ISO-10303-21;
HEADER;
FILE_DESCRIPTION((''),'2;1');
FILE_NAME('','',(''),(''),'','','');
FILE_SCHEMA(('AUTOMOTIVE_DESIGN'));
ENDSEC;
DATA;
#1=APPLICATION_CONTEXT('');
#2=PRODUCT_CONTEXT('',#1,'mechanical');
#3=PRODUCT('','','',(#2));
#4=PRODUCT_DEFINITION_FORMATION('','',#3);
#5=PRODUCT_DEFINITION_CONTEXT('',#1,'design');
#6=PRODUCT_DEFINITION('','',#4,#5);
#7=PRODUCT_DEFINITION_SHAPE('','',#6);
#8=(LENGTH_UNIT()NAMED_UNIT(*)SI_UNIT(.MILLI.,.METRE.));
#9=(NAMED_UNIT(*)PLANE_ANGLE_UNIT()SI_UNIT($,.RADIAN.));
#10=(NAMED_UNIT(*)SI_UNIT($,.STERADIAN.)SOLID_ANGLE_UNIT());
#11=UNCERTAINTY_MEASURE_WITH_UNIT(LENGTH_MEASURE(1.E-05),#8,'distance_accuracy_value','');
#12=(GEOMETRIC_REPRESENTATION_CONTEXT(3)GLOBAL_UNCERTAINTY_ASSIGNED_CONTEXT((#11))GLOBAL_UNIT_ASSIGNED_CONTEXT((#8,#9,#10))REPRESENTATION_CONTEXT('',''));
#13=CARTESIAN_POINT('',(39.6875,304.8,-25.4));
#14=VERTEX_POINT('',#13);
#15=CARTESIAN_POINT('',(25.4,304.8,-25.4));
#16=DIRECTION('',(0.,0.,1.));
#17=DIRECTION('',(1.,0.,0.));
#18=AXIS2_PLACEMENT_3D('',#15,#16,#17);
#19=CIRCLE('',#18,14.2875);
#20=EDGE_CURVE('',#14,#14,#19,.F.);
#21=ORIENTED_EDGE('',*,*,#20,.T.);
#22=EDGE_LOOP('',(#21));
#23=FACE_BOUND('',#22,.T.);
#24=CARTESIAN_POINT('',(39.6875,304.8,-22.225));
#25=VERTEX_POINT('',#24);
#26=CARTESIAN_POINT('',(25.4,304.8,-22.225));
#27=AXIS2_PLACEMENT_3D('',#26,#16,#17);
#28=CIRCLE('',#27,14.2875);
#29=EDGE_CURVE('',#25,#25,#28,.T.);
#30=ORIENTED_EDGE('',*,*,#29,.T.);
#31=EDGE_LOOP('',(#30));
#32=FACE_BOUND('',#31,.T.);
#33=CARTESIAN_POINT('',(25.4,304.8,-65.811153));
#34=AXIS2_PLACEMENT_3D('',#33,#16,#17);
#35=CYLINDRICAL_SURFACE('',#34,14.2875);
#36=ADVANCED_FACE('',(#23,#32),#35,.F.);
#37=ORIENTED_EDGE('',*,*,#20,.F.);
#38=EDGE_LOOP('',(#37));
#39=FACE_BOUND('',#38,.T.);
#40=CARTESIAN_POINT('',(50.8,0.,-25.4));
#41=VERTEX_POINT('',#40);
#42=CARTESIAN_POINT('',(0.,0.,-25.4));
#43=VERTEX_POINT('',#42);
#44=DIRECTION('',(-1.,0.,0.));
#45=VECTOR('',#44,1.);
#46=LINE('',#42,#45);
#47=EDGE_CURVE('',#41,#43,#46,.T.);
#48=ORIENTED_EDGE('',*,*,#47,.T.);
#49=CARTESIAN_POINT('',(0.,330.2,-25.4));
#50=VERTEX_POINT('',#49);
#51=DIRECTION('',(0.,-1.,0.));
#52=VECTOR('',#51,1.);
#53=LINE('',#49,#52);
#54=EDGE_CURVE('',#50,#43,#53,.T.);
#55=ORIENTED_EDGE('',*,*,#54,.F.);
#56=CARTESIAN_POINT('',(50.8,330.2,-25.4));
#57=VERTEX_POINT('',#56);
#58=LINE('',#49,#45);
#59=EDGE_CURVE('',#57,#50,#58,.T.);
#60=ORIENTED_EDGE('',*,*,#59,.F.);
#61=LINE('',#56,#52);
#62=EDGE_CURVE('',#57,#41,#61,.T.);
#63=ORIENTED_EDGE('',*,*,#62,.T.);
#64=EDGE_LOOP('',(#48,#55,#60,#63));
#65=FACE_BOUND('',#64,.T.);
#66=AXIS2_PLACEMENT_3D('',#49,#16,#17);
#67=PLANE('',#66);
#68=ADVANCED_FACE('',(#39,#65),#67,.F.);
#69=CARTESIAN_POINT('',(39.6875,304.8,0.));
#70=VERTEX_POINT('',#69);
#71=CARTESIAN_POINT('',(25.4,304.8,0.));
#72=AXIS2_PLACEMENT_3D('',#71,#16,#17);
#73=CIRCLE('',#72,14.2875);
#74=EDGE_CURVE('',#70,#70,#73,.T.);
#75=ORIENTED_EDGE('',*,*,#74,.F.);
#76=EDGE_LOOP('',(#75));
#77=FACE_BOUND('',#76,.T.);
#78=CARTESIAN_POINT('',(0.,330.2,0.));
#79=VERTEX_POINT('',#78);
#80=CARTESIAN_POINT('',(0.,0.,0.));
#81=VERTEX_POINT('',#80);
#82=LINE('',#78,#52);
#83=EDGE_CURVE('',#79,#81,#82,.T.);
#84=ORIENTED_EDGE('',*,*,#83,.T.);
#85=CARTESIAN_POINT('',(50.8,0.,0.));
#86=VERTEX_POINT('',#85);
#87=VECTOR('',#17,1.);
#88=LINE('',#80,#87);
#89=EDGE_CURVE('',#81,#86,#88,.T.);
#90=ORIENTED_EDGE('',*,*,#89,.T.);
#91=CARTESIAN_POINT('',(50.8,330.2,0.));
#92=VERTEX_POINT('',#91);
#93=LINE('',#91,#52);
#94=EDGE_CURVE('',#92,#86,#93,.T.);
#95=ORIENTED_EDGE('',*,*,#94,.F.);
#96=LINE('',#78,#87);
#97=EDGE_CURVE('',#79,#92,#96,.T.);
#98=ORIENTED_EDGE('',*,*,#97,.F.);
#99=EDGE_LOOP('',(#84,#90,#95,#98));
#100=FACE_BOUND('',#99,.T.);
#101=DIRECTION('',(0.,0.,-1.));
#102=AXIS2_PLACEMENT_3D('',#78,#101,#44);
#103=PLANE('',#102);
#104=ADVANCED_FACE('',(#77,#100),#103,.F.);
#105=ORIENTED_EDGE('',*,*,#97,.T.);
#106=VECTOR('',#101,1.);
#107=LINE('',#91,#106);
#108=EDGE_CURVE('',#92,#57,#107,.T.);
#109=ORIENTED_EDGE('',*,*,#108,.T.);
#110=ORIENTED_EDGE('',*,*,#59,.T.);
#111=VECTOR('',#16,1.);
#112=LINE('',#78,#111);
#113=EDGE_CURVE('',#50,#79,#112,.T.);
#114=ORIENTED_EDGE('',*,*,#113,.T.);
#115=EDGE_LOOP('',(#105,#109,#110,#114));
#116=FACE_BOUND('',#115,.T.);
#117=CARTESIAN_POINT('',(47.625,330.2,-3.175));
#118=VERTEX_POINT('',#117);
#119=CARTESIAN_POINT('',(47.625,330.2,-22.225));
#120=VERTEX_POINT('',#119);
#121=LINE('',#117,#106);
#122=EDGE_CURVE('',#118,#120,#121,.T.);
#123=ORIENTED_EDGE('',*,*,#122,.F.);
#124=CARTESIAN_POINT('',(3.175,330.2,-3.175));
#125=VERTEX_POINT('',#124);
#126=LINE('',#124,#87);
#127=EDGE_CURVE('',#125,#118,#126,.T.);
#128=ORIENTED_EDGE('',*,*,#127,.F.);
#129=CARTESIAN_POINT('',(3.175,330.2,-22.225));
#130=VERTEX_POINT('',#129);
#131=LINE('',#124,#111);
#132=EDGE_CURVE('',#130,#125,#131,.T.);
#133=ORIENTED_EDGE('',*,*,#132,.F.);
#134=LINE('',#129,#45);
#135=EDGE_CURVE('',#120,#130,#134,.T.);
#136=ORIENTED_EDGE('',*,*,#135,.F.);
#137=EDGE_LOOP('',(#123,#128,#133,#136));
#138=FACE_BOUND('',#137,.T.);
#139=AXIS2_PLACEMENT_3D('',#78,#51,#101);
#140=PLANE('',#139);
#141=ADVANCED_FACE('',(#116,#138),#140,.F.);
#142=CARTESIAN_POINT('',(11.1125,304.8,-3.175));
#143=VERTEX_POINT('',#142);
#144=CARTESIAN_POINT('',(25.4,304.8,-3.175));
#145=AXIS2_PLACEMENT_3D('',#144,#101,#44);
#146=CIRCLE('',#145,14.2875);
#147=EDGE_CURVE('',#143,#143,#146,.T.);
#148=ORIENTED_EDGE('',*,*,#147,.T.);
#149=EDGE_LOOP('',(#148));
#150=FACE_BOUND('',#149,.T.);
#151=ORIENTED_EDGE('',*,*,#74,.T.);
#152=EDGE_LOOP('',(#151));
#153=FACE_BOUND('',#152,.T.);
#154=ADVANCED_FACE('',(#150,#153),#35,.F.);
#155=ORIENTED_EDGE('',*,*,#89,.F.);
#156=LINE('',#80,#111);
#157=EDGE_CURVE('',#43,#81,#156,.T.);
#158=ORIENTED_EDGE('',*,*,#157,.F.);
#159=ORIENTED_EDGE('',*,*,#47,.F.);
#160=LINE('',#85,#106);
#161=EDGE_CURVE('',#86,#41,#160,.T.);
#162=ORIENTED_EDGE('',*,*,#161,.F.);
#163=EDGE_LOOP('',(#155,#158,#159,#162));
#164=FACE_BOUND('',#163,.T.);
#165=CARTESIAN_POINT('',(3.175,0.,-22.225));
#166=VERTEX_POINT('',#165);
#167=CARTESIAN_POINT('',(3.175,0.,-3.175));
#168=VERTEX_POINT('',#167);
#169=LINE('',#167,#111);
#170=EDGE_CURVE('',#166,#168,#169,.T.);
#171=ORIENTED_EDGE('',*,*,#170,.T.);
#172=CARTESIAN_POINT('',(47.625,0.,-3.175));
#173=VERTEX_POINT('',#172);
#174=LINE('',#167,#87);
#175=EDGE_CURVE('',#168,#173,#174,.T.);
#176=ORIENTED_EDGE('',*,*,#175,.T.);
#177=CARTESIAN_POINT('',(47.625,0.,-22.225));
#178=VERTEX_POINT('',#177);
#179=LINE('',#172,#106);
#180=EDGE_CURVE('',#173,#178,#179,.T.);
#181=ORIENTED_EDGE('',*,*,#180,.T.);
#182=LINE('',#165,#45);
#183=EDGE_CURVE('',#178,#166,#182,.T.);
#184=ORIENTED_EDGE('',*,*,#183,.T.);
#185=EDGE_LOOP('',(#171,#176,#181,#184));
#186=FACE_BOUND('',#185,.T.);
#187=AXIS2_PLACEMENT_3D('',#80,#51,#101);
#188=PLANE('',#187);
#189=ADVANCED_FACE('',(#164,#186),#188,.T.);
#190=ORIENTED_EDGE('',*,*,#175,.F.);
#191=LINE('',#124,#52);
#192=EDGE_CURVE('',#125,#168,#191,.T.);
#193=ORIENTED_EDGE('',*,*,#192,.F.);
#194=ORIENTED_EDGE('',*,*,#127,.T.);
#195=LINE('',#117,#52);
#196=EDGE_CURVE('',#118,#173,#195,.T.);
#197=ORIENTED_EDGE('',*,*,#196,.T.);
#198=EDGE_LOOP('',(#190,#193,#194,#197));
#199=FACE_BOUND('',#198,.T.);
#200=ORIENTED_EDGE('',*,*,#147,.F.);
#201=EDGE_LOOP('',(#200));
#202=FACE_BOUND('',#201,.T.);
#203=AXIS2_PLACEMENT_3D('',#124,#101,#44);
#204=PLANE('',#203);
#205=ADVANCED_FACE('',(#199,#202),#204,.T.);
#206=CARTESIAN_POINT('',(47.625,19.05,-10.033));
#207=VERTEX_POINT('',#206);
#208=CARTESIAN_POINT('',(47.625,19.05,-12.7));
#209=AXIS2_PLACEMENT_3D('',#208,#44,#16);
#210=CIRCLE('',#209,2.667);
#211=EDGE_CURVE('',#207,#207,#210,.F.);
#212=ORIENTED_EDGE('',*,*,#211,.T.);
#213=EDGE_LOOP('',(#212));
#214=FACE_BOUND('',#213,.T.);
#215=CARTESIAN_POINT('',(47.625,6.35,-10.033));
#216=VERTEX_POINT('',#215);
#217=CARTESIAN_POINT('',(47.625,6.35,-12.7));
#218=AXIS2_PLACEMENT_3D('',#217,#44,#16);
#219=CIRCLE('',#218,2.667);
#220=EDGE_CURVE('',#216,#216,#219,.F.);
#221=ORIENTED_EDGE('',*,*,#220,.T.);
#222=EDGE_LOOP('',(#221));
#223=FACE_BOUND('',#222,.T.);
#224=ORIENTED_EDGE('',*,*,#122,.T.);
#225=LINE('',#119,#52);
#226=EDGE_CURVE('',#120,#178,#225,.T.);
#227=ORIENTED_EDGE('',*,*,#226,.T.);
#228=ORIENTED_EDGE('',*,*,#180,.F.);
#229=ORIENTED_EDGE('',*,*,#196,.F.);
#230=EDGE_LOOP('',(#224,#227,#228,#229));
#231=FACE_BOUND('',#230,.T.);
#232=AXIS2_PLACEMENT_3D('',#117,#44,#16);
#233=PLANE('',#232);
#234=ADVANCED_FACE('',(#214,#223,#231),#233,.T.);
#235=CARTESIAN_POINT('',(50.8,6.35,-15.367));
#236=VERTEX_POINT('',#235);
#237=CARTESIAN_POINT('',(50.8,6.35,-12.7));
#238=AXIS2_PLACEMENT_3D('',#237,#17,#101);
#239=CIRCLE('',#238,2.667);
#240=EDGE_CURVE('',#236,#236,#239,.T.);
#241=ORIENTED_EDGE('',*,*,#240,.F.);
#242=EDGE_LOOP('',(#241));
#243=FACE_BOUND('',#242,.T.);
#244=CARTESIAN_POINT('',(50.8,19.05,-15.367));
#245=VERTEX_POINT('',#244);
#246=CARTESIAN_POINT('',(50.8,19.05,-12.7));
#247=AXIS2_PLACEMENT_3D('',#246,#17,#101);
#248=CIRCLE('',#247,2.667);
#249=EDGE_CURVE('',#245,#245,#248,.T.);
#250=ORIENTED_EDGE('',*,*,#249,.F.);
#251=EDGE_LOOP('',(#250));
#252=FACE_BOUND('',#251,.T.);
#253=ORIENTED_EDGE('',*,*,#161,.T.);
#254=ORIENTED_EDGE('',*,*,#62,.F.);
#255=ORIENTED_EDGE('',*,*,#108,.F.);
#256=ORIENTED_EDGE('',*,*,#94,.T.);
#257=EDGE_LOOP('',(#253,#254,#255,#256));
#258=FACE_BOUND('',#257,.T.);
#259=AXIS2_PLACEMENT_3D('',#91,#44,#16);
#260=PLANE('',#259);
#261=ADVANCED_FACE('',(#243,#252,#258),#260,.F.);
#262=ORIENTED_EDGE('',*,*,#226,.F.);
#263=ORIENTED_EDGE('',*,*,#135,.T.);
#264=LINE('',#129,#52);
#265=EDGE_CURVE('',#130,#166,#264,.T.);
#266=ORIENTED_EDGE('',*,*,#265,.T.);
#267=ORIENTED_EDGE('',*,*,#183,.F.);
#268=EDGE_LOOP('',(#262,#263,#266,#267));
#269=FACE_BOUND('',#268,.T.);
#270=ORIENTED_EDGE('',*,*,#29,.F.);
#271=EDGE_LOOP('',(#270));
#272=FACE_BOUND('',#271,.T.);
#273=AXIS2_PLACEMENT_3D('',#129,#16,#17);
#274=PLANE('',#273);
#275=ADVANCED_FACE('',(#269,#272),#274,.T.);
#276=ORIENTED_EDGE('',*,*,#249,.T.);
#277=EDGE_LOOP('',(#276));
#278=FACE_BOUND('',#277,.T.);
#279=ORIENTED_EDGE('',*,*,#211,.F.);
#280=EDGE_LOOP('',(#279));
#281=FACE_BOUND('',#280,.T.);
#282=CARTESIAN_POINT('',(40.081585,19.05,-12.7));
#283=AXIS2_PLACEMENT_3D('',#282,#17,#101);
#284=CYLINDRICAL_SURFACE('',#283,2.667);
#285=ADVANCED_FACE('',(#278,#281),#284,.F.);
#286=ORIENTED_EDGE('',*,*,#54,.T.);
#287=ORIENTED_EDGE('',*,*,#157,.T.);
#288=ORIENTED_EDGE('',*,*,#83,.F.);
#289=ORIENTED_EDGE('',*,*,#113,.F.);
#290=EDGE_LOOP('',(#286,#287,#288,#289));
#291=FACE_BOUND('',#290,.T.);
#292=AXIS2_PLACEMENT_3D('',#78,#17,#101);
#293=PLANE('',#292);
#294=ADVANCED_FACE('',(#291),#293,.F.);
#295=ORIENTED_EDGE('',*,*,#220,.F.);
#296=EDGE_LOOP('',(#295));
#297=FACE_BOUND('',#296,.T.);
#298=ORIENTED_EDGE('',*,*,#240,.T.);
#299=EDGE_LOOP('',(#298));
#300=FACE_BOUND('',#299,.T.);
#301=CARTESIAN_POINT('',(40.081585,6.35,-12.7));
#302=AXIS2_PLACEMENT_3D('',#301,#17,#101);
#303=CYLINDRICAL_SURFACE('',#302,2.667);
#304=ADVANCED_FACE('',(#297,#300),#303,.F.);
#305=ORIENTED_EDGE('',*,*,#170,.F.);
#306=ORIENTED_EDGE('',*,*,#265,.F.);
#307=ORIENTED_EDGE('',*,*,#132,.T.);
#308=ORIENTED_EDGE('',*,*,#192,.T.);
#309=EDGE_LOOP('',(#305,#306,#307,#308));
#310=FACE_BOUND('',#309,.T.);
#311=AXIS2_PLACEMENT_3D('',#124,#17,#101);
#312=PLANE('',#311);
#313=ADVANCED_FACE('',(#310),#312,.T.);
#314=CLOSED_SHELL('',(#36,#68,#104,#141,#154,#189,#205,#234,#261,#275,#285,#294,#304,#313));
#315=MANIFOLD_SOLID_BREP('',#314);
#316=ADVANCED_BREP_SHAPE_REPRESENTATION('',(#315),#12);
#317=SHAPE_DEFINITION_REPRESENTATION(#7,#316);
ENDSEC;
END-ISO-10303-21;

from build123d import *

# Parameters (mm, degrees)
SKETCH1_W           = 50.8
SKETCH1_H           = 25.4
SKETCH1_W_2         = 44.45
SKETCH1_H_2         = 19.05
BOSS_EXTRUDE2_DEPTH = 330.2
SKETCH2_R           = 14.2875
CUT_EXTRUDE1_DEPTH  = 25.4
SKETCH3_R           = 2.667
CUT_EXTRUDE2_DEPTH  = 3.175


with BuildPart() as part:
    # Sketch1 → Boss-Extrude2 (new body)
    with BuildSketch(Plane(origin=(0, 0, 0), x_dir=(1, 0, 0), z_dir=(0, 1, 0))):
        with Locations((25.4, 12.7)):
            Rectangle(SKETCH1_W, SKETCH1_H)
        with Locations((25.4, 12.7)):
            Rectangle(SKETCH1_W_2, SKETCH1_H_2, mode=Mode.SUBTRACT)
    extrude(amount=BOSS_EXTRUDE2_DEPTH)

    # Sketch2 → Cut-Extrude1 (cut)
    with BuildSketch(Plane.XY):
        with Locations((25.4, 304.8)):
            Circle(SKETCH2_R)
    extrude(amount=-CUT_EXTRUDE1_DEPTH, mode=Mode.SUBTRACT)

    # Sketch3 → Cut-Extrude2 (cut)
    with BuildSketch(Plane(origin=(50.8, 0, 0), x_dir=(0, 0, -1), z_dir=(1, 0, 0))):
        with Locations((12.7, 19.05)):
            Circle(SKETCH3_R)
        with Locations((12.7, 6.35)):
            Circle(SKETCH3_R)
    extrude(amount=-CUT_EXTRUDE2_DEPTH, mode=Mode.SUBTRACT)


solid = part.part
